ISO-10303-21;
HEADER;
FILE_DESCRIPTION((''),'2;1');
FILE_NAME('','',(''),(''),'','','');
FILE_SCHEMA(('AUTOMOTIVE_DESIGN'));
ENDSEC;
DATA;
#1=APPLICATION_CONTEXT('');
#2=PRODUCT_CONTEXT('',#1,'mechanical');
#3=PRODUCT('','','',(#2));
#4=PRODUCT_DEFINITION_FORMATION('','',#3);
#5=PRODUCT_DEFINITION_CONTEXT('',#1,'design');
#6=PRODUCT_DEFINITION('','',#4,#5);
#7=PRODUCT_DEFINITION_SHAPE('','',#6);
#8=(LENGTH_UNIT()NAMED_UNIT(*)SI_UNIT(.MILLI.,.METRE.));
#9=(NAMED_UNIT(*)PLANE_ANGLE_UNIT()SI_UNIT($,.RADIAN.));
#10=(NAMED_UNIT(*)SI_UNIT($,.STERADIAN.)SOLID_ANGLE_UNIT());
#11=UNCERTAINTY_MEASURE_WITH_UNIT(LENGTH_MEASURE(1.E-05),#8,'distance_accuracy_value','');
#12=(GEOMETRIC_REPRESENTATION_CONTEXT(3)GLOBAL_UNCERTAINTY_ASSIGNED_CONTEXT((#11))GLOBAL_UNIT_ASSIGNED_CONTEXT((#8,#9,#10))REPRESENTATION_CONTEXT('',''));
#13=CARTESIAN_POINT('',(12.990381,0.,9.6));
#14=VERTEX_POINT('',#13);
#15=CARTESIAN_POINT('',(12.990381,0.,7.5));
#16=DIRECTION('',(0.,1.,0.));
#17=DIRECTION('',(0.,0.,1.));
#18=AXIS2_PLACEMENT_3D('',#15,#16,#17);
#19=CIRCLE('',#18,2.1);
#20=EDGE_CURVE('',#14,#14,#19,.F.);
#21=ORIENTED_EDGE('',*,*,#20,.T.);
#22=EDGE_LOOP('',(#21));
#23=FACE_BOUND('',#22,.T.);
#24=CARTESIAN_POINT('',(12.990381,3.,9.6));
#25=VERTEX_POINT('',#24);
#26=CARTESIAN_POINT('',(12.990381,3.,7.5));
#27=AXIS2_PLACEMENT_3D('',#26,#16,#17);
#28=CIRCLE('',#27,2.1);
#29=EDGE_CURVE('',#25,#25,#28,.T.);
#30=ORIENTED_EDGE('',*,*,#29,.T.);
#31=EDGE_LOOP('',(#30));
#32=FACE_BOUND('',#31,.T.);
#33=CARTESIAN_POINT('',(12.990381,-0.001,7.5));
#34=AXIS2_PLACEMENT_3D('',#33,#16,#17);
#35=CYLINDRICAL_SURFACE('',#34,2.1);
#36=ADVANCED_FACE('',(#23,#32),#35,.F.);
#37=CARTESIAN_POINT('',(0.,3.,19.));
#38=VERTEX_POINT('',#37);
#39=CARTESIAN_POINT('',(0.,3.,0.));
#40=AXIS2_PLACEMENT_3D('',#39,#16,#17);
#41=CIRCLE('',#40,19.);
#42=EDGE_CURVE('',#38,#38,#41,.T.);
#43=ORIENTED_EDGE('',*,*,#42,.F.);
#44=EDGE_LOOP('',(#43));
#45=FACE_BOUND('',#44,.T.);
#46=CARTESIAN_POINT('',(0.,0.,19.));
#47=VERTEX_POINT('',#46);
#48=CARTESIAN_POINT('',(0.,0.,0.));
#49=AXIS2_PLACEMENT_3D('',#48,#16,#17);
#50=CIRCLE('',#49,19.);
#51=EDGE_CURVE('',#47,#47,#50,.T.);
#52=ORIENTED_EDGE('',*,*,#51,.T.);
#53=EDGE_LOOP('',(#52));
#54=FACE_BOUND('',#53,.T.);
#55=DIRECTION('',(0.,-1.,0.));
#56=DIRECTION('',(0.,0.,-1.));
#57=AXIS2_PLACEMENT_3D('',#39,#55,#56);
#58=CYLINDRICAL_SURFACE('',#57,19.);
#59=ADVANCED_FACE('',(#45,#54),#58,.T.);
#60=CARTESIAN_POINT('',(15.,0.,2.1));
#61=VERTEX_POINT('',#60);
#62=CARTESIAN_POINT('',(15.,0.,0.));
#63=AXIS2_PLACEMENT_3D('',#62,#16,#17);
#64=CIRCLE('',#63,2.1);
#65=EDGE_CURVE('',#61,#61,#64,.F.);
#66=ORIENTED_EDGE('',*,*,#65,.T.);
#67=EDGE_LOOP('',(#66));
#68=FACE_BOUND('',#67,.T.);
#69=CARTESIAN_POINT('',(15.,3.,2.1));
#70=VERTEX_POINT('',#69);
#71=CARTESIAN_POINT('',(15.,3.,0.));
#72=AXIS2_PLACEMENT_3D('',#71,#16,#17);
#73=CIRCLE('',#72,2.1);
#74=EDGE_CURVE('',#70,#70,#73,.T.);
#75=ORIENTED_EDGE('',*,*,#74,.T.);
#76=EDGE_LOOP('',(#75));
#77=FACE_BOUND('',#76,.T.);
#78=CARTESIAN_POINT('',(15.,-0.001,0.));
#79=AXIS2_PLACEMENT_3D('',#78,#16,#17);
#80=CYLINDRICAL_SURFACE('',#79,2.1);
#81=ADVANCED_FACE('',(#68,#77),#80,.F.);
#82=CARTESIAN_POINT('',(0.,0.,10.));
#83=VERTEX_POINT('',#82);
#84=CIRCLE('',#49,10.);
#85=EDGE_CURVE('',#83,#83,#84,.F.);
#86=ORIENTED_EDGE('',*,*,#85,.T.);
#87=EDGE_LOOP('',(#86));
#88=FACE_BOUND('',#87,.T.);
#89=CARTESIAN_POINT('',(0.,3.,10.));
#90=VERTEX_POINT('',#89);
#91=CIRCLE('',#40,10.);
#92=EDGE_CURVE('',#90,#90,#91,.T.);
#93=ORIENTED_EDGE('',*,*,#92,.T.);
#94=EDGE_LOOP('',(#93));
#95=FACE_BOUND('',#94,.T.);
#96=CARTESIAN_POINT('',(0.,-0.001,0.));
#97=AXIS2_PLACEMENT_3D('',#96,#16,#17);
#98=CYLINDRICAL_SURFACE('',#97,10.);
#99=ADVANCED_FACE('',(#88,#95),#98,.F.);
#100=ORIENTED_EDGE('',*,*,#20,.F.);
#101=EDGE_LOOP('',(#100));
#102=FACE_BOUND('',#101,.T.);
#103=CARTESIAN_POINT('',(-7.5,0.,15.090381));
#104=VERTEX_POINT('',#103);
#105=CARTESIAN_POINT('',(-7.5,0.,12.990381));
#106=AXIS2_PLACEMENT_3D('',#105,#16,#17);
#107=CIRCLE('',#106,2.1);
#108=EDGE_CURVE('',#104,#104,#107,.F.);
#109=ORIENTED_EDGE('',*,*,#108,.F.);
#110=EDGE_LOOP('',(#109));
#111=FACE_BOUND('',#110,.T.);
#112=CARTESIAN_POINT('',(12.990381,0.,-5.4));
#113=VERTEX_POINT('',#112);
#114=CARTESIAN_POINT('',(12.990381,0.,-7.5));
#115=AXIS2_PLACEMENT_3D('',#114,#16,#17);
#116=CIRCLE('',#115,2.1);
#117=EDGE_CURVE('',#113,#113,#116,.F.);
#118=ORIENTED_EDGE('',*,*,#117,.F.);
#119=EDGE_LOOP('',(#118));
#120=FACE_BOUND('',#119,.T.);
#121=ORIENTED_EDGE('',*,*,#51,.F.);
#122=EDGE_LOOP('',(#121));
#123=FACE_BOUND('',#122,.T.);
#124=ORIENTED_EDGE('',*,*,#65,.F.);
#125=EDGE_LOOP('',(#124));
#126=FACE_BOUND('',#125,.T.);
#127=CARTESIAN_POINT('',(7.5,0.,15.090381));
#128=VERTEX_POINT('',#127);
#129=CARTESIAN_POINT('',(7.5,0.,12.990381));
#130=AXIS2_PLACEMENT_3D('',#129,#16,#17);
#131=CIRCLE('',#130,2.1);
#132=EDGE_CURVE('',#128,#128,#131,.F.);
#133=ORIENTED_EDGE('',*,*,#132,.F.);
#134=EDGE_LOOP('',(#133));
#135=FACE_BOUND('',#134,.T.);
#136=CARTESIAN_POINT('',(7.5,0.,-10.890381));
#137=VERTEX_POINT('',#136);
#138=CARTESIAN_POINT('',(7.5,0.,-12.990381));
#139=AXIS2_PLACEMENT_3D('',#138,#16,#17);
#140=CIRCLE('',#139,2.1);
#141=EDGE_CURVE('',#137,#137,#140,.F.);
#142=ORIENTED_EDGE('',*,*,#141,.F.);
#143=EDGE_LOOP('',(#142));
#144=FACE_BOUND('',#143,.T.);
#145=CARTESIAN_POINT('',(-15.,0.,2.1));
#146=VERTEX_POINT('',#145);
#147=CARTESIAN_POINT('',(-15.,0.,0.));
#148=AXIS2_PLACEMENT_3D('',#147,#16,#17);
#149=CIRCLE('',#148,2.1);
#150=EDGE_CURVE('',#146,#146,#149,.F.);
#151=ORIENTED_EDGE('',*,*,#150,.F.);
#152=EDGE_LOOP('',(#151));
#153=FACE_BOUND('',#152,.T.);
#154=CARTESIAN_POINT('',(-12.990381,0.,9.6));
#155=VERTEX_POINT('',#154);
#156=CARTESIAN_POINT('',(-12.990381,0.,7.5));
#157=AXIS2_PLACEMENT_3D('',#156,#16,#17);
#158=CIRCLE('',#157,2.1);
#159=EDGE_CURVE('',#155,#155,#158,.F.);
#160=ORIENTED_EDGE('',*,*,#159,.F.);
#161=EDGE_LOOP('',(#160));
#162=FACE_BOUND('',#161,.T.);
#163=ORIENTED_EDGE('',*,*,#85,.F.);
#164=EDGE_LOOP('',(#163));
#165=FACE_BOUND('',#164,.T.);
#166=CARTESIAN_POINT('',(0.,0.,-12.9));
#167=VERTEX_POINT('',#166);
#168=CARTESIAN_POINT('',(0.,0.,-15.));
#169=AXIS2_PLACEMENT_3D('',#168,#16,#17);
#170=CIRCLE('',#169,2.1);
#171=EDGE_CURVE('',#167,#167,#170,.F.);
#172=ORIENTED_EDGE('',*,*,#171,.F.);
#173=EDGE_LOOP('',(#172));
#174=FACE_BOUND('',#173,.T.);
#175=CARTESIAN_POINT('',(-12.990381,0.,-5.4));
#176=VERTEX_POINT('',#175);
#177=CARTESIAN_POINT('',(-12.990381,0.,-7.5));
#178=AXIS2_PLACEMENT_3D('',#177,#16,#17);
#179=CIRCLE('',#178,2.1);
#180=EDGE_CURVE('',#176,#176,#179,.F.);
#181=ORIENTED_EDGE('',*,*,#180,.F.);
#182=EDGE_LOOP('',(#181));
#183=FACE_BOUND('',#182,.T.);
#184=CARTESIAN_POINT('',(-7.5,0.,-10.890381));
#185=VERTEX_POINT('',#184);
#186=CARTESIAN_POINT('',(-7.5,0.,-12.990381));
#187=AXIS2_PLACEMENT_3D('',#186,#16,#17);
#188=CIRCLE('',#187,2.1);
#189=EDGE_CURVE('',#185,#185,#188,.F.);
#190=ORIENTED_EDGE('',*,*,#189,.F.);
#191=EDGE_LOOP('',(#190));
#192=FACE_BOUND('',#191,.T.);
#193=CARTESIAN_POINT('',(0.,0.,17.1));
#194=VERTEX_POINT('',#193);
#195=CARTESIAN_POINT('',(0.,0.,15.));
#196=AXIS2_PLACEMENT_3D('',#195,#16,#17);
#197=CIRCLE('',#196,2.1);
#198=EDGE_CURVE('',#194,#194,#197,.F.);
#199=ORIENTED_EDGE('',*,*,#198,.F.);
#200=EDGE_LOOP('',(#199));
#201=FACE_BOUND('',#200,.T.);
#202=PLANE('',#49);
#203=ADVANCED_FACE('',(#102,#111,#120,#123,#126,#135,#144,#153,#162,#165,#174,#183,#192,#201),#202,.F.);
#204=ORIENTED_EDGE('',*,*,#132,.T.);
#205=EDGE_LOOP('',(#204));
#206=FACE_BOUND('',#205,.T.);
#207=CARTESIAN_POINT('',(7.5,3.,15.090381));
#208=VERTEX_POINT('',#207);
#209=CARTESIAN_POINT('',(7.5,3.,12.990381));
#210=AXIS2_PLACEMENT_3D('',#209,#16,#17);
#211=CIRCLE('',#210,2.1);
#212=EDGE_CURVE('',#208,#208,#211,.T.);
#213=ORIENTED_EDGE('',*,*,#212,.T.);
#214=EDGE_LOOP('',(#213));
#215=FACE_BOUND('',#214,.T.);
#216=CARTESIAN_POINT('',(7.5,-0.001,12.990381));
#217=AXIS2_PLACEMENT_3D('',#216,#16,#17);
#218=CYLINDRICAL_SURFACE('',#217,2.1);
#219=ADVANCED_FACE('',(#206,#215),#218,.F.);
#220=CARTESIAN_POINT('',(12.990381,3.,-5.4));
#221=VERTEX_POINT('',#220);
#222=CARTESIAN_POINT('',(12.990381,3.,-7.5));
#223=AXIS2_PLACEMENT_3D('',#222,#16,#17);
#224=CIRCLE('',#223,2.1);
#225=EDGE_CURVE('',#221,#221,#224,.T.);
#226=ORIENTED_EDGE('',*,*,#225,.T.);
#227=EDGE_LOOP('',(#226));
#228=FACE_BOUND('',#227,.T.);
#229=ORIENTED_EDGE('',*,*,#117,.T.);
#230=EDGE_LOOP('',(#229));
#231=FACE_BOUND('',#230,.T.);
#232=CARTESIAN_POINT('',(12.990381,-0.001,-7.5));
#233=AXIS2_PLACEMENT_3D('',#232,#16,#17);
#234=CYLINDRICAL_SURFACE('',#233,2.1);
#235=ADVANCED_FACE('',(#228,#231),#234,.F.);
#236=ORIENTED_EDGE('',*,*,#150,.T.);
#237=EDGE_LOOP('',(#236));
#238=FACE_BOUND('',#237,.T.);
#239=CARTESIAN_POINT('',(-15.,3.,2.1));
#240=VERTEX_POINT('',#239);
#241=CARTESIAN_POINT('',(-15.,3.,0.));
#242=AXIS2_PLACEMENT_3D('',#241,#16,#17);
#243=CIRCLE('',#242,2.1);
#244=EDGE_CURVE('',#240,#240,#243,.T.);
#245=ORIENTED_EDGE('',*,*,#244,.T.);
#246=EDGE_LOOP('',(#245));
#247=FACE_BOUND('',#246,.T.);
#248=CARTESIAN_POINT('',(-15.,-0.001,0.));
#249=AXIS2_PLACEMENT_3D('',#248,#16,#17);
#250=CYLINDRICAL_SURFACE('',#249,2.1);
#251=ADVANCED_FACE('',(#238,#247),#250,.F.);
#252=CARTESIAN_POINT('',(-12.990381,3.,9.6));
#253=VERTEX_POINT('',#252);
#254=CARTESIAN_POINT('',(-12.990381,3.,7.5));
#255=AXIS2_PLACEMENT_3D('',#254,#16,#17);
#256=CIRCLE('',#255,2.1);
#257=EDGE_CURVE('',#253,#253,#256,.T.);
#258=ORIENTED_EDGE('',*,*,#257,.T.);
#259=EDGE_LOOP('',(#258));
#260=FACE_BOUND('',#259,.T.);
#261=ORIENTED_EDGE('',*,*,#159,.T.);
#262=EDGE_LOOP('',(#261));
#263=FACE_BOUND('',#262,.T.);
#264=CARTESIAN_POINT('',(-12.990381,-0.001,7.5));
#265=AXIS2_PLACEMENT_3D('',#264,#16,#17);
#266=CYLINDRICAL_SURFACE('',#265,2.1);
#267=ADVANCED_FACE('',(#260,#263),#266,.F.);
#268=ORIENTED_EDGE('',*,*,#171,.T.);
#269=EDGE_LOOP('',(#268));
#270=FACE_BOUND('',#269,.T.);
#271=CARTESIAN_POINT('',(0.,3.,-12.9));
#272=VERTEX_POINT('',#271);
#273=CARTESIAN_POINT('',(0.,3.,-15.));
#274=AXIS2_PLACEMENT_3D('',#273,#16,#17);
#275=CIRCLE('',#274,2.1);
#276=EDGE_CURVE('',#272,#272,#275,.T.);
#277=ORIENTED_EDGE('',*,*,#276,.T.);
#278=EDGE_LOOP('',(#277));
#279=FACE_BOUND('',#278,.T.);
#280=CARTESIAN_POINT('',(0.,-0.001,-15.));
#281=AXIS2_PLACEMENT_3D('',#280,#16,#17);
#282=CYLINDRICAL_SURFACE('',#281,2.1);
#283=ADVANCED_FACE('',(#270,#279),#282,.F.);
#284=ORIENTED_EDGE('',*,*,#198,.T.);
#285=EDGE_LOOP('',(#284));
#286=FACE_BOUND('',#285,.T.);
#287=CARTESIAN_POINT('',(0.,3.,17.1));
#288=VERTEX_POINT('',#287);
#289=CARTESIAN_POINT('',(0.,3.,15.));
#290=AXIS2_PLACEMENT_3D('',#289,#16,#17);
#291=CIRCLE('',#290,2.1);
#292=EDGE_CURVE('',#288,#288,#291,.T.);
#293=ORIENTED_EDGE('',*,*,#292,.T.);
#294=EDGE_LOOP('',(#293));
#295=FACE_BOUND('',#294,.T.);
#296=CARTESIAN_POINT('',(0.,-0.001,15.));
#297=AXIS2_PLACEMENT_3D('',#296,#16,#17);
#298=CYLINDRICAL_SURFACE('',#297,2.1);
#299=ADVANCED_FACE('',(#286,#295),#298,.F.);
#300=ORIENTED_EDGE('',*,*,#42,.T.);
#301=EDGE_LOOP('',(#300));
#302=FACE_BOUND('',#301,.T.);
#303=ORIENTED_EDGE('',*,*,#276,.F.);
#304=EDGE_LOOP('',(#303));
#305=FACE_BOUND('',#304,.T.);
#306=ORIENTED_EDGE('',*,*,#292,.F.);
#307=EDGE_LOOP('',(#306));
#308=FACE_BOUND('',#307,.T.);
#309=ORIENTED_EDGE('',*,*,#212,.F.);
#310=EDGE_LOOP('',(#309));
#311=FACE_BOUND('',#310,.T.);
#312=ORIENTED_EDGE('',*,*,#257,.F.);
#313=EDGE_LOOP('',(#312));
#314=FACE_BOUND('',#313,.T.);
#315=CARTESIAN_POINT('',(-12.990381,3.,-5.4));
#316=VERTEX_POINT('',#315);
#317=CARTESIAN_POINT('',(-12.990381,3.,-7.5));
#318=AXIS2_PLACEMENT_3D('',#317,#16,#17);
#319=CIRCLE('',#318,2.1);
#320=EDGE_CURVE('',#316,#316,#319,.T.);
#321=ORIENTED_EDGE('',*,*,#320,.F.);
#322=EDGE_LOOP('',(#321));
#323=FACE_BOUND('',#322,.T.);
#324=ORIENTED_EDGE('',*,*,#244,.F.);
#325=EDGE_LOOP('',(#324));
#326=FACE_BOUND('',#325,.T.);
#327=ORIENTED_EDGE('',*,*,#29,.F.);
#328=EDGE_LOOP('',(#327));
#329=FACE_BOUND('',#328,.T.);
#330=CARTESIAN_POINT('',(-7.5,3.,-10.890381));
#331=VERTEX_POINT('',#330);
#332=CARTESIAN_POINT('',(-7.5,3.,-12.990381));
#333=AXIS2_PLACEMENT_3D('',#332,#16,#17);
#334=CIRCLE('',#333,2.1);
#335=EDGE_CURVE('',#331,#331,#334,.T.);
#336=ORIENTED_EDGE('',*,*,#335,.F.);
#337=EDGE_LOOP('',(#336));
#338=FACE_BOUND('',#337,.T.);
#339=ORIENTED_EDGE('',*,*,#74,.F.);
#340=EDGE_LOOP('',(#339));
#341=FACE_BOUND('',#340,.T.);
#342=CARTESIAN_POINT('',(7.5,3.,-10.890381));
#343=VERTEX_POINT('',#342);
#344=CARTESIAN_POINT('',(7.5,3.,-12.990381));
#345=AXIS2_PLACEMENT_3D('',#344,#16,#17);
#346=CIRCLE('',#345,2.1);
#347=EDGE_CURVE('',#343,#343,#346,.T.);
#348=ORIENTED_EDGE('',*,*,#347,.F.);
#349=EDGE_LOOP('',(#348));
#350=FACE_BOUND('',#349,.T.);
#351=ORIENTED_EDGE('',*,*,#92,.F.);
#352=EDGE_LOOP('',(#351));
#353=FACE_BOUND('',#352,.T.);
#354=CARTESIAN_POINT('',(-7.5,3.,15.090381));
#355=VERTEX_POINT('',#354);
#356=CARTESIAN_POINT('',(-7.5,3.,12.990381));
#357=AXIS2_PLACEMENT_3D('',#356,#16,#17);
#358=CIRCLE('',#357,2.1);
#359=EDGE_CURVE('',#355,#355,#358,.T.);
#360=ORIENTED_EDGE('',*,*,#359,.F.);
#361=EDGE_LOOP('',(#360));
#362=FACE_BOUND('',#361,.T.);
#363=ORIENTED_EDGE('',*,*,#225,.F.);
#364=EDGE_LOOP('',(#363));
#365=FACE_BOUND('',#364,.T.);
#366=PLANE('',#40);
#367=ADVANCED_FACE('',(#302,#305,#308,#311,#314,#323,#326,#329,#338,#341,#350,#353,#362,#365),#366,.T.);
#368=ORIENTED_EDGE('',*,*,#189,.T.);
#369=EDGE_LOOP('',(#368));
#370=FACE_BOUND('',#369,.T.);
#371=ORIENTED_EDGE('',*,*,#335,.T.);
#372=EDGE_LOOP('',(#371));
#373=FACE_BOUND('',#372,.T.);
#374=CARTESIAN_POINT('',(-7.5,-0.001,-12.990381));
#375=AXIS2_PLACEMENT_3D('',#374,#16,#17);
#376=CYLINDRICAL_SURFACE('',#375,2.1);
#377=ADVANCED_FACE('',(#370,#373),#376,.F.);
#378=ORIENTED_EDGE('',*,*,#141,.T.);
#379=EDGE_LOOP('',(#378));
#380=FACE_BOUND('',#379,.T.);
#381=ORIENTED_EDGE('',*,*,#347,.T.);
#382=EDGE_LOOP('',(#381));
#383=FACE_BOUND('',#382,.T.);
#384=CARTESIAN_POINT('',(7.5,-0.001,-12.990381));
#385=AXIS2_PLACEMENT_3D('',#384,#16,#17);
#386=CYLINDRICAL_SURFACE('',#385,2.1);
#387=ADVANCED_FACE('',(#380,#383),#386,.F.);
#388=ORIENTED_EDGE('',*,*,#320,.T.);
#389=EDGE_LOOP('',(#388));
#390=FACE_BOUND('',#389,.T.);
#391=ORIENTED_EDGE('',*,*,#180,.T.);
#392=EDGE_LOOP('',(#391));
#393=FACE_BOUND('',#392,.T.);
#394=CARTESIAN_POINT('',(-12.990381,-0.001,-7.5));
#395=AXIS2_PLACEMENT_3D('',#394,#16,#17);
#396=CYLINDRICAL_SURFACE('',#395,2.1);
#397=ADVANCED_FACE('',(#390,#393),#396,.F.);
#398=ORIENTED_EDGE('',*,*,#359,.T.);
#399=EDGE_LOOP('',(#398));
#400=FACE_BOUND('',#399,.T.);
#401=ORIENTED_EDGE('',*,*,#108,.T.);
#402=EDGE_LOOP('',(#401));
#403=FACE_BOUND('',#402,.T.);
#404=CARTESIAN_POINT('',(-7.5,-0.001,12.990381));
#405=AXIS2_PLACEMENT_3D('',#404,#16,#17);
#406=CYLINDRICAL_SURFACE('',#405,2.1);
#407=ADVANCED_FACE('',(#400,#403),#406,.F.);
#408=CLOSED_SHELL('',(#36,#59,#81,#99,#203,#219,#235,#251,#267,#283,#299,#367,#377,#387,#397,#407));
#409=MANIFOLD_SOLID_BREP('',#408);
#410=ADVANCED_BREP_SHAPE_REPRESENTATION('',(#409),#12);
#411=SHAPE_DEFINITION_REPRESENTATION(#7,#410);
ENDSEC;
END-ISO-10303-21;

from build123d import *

# Parameters (mm, degrees)
SKETCH_1_R          = 19
EXTRUDE_1_DEPTH     = 3
CUT_EXTRUDE_1_REACH = 5
SKETCH_2_R          = 2.1
CUT_EXTRUDE_2_REACH = 5
SKETCH_3_R          = 10


with BuildPart() as part:
    # ｽｹｯﾁ1 → ﾎﾞｽ - 押し出し1 (new body)
    with BuildSketch(Plane(origin=(0, 0, 0), x_dir=(1, 0, 0), z_dir=(0, 1, 0))):
        Circle(SKETCH_1_R)
    extrude(amount=EXTRUDE_1_DEPTH)

    # ｽｹｯﾁ2 → ｶｯﾄ - 押し出し1 (cut, up to next)
    with BuildSketch(Plane(origin=(0, 3, 0), x_dir=(1, 0, 0), z_dir=(0, 1, 0)), mode=Mode.PRIVATE) as cut_extrude_1_sk1:
        with Locations((0, 15)):
            Circle(SKETCH_2_R)
    cut_extrude_1_tool1 = extrude(cut_extrude_1_sk1.sketch, amount=-CUT_EXTRUDE_1_REACH, mode=Mode.PRIVATE) & part.part
    add(cut_extrude_1_tool1.solids().sort_by_distance((0, 3, -15))[0], mode=Mode.SUBTRACT)
    # ｽｹｯﾁ2 → ｶｯﾄ - 押し出し1 (cut, up to next)
    with BuildSketch(Plane(origin=(0, 3, 0), x_dir=(1, 0, 0), z_dir=(0, 1, 0)), mode=Mode.PRIVATE) as cut_extrude_1_sk2:
        with Locations((7.5, 12.990381057)):
            Circle(SKETCH_2_R)
    cut_extrude_1_tool2 = extrude(cut_extrude_1_sk2.sketch, amount=-CUT_EXTRUDE_1_REACH, mode=Mode.PRIVATE) & part.part
    add(cut_extrude_1_tool2.solids().sort_by_distance((7.5, 3, -12.990381))[0], mode=Mode.SUBTRACT)
    # ｽｹｯﾁ2 → ｶｯﾄ - 押し出し1 (cut, up to next)
    with BuildSketch(Plane(origin=(0, 3, 0), x_dir=(1, 0, 0), z_dir=(0, 1, 0)), mode=Mode.PRIVATE) as cut_extrude_1_sk3:
        with Locations((12.990381057, 7.5)):
            Circle(SKETCH_2_R)
    cut_extrude_1_tool3 = extrude(cut_extrude_1_sk3.sketch, amount=-CUT_EXTRUDE_1_REACH, mode=Mode.PRIVATE) & part.part
    add(cut_extrude_1_tool3.solids().sort_by_distance((12.990381, 3, -7.5))[0], mode=Mode.SUBTRACT)
    # ｽｹｯﾁ2 → ｶｯﾄ - 押し出し1 (cut, up to next)
    with BuildSketch(Plane(origin=(0, 3, 0), x_dir=(1, 0, 0), z_dir=(0, 1, 0)), mode=Mode.PRIVATE) as cut_extrude_1_sk4:
        with Locations((15, 0)):
            Circle(SKETCH_2_R)
    cut_extrude_1_tool4 = extrude(cut_extrude_1_sk4.sketch, amount=-CUT_EXTRUDE_1_REACH, mode=Mode.PRIVATE) & part.part
    add(cut_extrude_1_tool4.solids().sort_by_distance((15, 3, 0))[0], mode=Mode.SUBTRACT)
    # ｽｹｯﾁ2 → ｶｯﾄ - 押し出し1 (cut, up to next)
    with BuildSketch(Plane(origin=(0, 3, 0), x_dir=(1, 0, 0), z_dir=(0, 1, 0)), mode=Mode.PRIVATE) as cut_extrude_1_sk5:
        with Locations((12.990381057, -7.5)):
            Circle(SKETCH_2_R)
    cut_extrude_1_tool5 = extrude(cut_extrude_1_sk5.sketch, amount=-CUT_EXTRUDE_1_REACH, mode=Mode.PRIVATE) & part.part
    add(cut_extrude_1_tool5.solids().sort_by_distance((12.990381, 3, 7.5))[0], mode=Mode.SUBTRACT)
    # ｽｹｯﾁ2 → ｶｯﾄ - 押し出し1 (cut, up to next)
    with BuildSketch(Plane(origin=(0, 3, 0), x_dir=(1, 0, 0), z_dir=(0, 1, 0)), mode=Mode.PRIVATE) as cut_extrude_1_sk6:
        with Locations((7.5, -12.990381057)):
            Circle(SKETCH_2_R)
    cut_extrude_1_tool6 = extrude(cut_extrude_1_sk6.sketch, amount=-CUT_EXTRUDE_1_REACH, mode=Mode.PRIVATE) & part.part
    add(cut_extrude_1_tool6.solids().sort_by_distance((7.5, 3, 12.990381))[0], mode=Mode.SUBTRACT)
    # ｽｹｯﾁ2 → ｶｯﾄ - 押し出し1 (cut, up to next)
    with BuildSketch(Plane(origin=(0, 3, 0), x_dir=(1, 0, 0), z_dir=(0, 1, 0)), mode=Mode.PRIVATE) as cut_extrude_1_sk7:
        with Locations((0, -15)):
            Circle(SKETCH_2_R)
    cut_extrude_1_tool7 = extrude(cut_extrude_1_sk7.sketch, amount=-CUT_EXTRUDE_1_REACH, mode=Mode.PRIVATE) & part.part
    add(cut_extrude_1_tool7.solids().sort_by_distance((0, 3, 15))[0], mode=Mode.SUBTRACT)
    # ｽｹｯﾁ2 → ｶｯﾄ - 押し出し1 (cut, up to next)
    with BuildSketch(Plane(origin=(0, 3, 0), x_dir=(1, 0, 0), z_dir=(0, 1, 0)), mode=Mode.PRIVATE) as cut_extrude_1_sk8:
        with Locations((-7.5, -12.990381057)):
            Circle(SKETCH_2_R)
    cut_extrude_1_tool8 = extrude(cut_extrude_1_sk8.sketch, amount=-CUT_EXTRUDE_1_REACH, mode=Mode.PRIVATE) & part.part
    add(cut_extrude_1_tool8.solids().sort_by_distance((-7.5, 3, 12.990381))[0], mode=Mode.SUBTRACT)
    # ｽｹｯﾁ2 → ｶｯﾄ - 押し出し1 (cut, up to next)
    with BuildSketch(Plane(origin=(0, 3, 0), x_dir=(1, 0, 0), z_dir=(0, 1, 0)), mode=Mode.PRIVATE) as cut_extrude_1_sk9:
        with Locations((-12.990381057, -7.5)):
            Circle(SKETCH_2_R)
    cut_extrude_1_tool9 = extrude(cut_extrude_1_sk9.sketch, amount=-CUT_EXTRUDE_1_REACH, mode=Mode.PRIVATE) & part.part
    add(cut_extrude_1_tool9.solids().sort_by_distance((-12.990381, 3, 7.5))[0], mode=Mode.SUBTRACT)
    # ｽｹｯﾁ2 → ｶｯﾄ - 押し出し1 (cut, up to next)
    with BuildSketch(Plane(origin=(0, 3, 0), x_dir=(1, 0, 0), z_dir=(0, 1, 0)), mode=Mode.PRIVATE) as cut_extrude_1_sk10:
        with Locations((-15, 0)):
            Circle(SKETCH_2_R)
    cut_extrude_1_tool10 = extrude(cut_extrude_1_sk10.sketch, amount=-CUT_EXTRUDE_1_REACH, mode=Mode.PRIVATE) & part.part
    add(cut_extrude_1_tool10.solids().sort_by_distance((-15, 3, 0))[0], mode=Mode.SUBTRACT)
    # ｽｹｯﾁ2 → ｶｯﾄ - 押し出し1 (cut, up to next)
    with BuildSketch(Plane(origin=(0, 3, 0), x_dir=(1, 0, 0), z_dir=(0, 1, 0)), mode=Mode.PRIVATE) as cut_extrude_1_sk11:
        with Locations((-12.990381057, 7.5)):
            Circle(SKETCH_2_R)
    cut_extrude_1_tool11 = extrude(cut_extrude_1_sk11.sketch, amount=-CUT_EXTRUDE_1_REACH, mode=Mode.PRIVATE) & part.part
    add(cut_extrude_1_tool11.solids().sort_by_distance((-12.990381, 3, -7.5))[0], mode=Mode.SUBTRACT)
    # ｽｹｯﾁ2 → ｶｯﾄ - 押し出し1 (cut, up to next)
    with BuildSketch(Plane(origin=(0, 3, 0), x_dir=(1, 0, 0), z_dir=(0, 1, 0)), mode=Mode.PRIVATE) as cut_extrude_1_sk12:
        with Locations((-7.5, 12.990381057)):
            Circle(SKETCH_2_R)
    cut_extrude_1_tool12 = extrude(cut_extrude_1_sk12.sketch, amount=-CUT_EXTRUDE_1_REACH, mode=Mode.PRIVATE) & part.part
    add(cut_extrude_1_tool12.solids().sort_by_distance((-7.5, 3, -12.990381))[0], mode=Mode.SUBTRACT)

    # ｽｹｯﾁ3 → ｶｯﾄ - 押し出し2 (cut, up to next)
    with BuildSketch(Plane(origin=(0, 3, 0), x_dir=(1, 0, 0), z_dir=(0, 1, 0)), mode=Mode.PRIVATE) as cut_extrude_2_sk1:
        Circle(SKETCH_3_R)
    cut_extrude_2_tool1 = extrude(cut_extrude_2_sk1.sketch, amount=-CUT_EXTRUDE_2_REACH, mode=Mode.PRIVATE) & part.part
    add(cut_extrude_2_tool1.solids().sort_by_distance((0, 3, 0))[0], mode=Mode.SUBTRACT)


solid = part.part
